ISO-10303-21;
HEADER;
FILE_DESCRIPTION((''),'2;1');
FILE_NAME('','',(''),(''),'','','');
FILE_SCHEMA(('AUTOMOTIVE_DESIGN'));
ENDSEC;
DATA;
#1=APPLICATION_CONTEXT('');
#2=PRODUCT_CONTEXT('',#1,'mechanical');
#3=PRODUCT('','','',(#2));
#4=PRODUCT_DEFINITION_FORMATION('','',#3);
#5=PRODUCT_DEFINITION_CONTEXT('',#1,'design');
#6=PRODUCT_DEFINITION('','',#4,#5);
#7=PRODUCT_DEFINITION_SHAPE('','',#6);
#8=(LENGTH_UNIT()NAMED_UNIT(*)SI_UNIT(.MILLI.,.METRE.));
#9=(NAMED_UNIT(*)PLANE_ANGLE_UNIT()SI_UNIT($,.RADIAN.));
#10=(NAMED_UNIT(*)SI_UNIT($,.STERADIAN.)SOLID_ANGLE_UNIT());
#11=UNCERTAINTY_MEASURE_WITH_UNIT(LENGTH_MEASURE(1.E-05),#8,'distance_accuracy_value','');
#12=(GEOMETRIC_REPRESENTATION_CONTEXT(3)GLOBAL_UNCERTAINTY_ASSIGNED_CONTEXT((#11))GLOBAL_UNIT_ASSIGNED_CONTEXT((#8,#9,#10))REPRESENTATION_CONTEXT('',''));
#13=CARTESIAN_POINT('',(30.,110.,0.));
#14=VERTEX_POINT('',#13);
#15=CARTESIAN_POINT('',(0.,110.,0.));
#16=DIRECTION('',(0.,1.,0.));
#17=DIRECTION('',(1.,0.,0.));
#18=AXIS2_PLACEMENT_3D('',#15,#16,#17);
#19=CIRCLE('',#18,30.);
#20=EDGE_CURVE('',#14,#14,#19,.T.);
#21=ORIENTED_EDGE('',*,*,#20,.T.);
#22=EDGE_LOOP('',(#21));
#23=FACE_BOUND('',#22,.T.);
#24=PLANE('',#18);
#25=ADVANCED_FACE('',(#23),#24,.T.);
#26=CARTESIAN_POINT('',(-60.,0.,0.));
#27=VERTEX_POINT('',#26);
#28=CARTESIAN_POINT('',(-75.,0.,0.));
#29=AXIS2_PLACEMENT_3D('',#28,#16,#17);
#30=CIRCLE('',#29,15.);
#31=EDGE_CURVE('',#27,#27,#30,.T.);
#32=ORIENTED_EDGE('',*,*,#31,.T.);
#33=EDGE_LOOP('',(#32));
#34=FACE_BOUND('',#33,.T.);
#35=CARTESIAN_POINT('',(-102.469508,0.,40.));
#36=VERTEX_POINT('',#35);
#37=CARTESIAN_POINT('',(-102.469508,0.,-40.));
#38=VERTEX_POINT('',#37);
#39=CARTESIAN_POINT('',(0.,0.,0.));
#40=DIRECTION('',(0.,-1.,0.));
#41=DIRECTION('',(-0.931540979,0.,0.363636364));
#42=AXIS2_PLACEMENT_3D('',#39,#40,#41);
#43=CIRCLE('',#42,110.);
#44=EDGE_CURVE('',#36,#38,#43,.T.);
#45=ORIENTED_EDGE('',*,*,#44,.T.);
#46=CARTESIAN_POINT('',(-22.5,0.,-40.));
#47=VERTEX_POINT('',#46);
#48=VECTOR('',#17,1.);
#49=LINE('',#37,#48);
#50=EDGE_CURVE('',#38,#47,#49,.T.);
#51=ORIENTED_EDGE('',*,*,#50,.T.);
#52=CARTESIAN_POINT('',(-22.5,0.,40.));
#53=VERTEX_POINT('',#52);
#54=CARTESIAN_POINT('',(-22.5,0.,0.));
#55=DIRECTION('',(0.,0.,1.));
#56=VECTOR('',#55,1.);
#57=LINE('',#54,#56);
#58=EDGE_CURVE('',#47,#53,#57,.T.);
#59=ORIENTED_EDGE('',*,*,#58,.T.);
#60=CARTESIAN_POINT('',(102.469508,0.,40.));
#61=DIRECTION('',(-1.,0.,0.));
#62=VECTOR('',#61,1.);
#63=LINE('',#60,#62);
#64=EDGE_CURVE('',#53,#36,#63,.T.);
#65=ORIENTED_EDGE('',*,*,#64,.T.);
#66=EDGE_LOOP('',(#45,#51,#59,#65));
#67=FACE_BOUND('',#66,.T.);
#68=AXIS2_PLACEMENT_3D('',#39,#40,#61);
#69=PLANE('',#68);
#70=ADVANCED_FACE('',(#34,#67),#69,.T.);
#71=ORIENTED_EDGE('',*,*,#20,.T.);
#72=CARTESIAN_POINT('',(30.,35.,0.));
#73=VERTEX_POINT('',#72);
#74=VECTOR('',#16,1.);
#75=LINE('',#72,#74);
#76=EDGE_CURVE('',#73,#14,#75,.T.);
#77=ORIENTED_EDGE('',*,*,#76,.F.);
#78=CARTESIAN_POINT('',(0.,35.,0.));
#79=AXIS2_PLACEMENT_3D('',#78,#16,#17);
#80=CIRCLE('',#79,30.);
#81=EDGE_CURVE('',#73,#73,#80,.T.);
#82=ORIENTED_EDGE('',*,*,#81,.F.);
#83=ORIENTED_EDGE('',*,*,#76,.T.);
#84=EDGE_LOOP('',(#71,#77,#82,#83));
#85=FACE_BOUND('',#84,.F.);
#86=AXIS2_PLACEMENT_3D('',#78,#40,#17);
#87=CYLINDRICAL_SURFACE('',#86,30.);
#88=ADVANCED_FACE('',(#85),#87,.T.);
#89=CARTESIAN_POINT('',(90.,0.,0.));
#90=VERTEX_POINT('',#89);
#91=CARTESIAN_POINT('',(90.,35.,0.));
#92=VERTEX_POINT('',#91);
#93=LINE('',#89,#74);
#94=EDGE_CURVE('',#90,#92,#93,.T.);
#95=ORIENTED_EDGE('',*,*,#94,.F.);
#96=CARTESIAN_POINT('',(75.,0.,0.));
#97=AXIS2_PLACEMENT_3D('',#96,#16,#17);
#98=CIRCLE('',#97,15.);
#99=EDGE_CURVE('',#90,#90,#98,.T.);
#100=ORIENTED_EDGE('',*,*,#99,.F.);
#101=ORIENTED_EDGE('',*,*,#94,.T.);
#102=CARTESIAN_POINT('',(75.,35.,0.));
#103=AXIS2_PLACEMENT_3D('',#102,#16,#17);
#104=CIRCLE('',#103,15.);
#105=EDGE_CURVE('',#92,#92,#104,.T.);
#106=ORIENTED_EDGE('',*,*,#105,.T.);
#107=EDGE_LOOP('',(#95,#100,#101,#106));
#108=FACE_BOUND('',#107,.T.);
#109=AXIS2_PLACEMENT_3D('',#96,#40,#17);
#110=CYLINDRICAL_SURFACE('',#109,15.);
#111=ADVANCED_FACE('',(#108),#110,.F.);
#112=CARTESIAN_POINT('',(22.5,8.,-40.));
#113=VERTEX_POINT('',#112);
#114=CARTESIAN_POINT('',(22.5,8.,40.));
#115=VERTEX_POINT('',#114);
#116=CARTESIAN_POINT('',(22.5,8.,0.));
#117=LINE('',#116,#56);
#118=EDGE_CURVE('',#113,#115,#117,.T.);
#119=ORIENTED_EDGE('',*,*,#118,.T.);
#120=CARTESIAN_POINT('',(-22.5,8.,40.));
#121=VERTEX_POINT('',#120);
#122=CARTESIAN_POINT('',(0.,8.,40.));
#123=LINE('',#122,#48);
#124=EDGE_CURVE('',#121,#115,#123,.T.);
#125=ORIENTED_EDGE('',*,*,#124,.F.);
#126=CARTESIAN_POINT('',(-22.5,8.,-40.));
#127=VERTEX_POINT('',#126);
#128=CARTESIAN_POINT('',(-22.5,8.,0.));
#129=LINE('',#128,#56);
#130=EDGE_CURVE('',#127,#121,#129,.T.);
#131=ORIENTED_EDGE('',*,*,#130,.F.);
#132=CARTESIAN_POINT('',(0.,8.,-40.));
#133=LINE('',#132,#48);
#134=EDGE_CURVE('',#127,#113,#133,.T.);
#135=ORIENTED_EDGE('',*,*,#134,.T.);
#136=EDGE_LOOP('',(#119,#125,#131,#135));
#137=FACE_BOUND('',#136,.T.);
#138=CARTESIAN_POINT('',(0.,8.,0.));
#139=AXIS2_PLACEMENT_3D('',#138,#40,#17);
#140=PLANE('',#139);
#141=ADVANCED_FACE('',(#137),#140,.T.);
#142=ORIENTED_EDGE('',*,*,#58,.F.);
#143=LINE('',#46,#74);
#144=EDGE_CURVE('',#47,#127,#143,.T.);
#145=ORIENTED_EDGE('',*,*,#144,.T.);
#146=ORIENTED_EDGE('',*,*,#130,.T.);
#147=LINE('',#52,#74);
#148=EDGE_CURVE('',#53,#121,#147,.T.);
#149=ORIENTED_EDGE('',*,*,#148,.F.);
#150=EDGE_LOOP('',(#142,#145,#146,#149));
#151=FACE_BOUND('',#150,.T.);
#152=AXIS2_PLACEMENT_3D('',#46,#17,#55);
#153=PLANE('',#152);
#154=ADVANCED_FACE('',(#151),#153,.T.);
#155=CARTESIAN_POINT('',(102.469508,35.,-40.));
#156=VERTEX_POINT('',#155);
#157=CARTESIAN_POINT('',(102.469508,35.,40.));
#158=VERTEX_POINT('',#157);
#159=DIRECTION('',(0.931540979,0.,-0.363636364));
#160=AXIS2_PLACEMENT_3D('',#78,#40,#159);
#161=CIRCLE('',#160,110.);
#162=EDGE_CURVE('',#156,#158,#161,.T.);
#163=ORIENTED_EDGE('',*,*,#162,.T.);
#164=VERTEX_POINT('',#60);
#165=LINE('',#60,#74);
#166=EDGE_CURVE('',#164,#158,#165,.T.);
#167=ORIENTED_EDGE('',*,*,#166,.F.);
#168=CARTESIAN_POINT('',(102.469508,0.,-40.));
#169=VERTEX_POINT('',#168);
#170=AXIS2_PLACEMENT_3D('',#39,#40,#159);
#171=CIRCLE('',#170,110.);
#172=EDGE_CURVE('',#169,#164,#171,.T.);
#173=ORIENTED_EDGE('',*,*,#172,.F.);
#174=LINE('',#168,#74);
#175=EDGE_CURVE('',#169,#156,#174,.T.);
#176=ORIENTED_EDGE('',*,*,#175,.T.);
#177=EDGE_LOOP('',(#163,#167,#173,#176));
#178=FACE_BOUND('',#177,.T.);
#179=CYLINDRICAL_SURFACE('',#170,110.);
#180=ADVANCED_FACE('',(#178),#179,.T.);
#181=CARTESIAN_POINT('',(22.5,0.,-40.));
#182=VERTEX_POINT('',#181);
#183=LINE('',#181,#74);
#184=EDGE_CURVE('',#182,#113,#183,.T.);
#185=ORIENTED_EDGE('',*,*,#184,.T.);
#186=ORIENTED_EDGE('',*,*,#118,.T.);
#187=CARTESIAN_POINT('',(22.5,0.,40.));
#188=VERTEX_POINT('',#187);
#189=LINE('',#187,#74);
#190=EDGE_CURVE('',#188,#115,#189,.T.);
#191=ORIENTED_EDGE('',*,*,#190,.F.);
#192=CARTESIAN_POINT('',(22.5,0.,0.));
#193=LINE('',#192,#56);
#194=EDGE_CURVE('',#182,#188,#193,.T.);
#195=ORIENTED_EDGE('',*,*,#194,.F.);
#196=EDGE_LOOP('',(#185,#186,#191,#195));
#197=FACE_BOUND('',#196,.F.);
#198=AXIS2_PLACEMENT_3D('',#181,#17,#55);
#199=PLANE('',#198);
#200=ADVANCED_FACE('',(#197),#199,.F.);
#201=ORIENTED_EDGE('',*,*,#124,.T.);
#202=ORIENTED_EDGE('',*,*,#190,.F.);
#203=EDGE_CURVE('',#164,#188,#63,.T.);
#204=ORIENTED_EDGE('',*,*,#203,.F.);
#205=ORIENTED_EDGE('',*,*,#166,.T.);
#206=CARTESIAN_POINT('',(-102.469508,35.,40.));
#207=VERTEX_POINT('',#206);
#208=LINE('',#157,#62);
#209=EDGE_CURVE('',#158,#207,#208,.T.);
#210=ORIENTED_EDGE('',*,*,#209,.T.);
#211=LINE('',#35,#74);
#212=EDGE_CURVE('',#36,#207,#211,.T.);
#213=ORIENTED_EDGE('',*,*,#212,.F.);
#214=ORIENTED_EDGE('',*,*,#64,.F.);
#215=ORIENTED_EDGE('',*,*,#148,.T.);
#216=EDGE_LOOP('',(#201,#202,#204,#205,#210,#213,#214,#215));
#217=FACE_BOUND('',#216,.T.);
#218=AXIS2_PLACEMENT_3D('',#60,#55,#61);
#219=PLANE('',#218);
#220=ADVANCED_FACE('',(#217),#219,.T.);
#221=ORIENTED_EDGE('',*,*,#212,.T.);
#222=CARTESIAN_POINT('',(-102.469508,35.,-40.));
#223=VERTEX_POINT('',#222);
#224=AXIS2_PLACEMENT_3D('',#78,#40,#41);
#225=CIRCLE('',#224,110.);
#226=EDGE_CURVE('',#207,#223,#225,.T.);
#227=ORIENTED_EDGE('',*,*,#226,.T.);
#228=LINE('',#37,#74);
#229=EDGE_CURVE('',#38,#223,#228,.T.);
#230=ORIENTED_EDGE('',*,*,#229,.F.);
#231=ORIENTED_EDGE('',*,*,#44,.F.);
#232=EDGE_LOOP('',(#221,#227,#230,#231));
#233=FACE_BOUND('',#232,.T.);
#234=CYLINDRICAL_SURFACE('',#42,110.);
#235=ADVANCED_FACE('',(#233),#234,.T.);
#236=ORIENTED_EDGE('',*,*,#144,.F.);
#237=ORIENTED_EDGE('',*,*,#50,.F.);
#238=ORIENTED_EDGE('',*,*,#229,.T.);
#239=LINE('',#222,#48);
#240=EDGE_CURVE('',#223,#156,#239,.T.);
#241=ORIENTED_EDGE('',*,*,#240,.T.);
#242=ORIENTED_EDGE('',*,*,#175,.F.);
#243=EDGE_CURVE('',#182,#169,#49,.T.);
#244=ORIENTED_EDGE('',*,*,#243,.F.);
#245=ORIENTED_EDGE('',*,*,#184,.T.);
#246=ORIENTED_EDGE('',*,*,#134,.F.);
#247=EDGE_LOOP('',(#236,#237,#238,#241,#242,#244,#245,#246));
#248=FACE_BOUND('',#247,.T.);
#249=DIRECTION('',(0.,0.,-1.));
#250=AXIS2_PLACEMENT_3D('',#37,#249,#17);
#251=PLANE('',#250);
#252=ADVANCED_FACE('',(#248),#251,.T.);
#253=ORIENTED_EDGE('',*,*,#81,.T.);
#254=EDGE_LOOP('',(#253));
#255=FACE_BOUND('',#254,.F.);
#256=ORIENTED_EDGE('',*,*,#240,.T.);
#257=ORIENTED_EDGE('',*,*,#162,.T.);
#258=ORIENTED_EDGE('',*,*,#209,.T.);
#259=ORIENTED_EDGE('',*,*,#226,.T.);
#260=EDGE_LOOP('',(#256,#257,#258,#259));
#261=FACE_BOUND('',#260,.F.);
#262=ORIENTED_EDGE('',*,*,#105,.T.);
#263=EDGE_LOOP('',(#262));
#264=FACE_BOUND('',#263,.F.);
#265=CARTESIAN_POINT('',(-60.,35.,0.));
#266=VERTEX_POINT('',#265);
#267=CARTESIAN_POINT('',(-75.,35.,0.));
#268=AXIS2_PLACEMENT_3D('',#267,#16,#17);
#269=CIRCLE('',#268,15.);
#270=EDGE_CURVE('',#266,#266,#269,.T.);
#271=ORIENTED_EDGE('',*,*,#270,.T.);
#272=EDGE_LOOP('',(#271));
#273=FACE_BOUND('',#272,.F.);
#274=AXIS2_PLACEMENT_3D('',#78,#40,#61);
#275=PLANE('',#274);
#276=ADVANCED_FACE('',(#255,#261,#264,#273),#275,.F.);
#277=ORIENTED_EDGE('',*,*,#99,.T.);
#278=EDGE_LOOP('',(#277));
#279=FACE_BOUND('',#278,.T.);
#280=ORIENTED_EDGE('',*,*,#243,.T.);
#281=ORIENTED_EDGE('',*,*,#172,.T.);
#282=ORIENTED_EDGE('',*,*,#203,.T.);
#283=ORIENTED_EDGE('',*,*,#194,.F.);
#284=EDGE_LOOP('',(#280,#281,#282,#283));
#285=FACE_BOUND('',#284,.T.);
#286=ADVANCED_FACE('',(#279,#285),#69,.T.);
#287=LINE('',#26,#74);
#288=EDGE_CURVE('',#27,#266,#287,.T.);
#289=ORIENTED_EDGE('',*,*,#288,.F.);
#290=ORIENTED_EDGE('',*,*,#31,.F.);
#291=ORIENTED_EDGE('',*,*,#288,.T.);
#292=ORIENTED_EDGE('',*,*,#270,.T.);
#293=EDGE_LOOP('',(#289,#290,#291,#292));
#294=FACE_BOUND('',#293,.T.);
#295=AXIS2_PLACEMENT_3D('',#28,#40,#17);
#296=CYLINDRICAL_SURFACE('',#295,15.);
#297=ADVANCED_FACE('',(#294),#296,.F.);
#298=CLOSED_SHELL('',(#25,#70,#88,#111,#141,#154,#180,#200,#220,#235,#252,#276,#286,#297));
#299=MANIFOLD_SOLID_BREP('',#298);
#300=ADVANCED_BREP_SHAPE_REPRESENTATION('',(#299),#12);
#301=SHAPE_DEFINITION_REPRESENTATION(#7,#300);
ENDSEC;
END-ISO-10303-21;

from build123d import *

# Parameters (mm, degrees)
SKETCH1_R           = 15
BOSS_EXTRUDE2_DEPTH = 35
SKETCH2_R           = 30
BOSS_EXTRUDE3_DEPTH = 75
SKETCH3_W           = 45
SKETCH3_H           = 80
CUT_EXTRUDE1_DEPTH  = 8


with BuildPart() as part:
    # Sketch1 → Boss-Extrude2 (new body)
    with BuildSketch(Plane(origin=(0, 0, 0), x_dir=(1, 0, 0), z_dir=(0, 1, 0))):
        with BuildLine():
            Line((-102.46950766, 40), (102.46950766, 40))
            ThreePointArc((102.46950766, 40), (110, 0), (102.46950766, -40))
            Line((102.46950766, -40), (-102.46950766, -40))
            ThreePointArc((-102.46950766, -40), (-110, 0), (-102.46950766, 40))
        make_face()
        with Locations((75, 0)):
            Circle(SKETCH1_R, mode=Mode.SUBTRACT)
        with Locations((-75, 0)):
            Circle(SKETCH1_R, mode=Mode.SUBTRACT)
    extrude(amount=BOSS_EXTRUDE2_DEPTH)

    # Sketch2 → Boss-Extrude3 (add)
    with BuildSketch(Plane(origin=(0, 35, 0), x_dir=(1, 0, 0), z_dir=(0, 1, 0))):
        Circle(SKETCH2_R)
    extrude(amount=BOSS_EXTRUDE3_DEPTH)

    # Sketch3 → Cut-Extrude1 (cut)
    with BuildSketch(Plane.XZ):
        Rectangle(SKETCH3_W, SKETCH3_H)
    extrude(amount=-CUT_EXTRUDE1_DEPTH, mode=Mode.SUBTRACT)


solid = part.part
